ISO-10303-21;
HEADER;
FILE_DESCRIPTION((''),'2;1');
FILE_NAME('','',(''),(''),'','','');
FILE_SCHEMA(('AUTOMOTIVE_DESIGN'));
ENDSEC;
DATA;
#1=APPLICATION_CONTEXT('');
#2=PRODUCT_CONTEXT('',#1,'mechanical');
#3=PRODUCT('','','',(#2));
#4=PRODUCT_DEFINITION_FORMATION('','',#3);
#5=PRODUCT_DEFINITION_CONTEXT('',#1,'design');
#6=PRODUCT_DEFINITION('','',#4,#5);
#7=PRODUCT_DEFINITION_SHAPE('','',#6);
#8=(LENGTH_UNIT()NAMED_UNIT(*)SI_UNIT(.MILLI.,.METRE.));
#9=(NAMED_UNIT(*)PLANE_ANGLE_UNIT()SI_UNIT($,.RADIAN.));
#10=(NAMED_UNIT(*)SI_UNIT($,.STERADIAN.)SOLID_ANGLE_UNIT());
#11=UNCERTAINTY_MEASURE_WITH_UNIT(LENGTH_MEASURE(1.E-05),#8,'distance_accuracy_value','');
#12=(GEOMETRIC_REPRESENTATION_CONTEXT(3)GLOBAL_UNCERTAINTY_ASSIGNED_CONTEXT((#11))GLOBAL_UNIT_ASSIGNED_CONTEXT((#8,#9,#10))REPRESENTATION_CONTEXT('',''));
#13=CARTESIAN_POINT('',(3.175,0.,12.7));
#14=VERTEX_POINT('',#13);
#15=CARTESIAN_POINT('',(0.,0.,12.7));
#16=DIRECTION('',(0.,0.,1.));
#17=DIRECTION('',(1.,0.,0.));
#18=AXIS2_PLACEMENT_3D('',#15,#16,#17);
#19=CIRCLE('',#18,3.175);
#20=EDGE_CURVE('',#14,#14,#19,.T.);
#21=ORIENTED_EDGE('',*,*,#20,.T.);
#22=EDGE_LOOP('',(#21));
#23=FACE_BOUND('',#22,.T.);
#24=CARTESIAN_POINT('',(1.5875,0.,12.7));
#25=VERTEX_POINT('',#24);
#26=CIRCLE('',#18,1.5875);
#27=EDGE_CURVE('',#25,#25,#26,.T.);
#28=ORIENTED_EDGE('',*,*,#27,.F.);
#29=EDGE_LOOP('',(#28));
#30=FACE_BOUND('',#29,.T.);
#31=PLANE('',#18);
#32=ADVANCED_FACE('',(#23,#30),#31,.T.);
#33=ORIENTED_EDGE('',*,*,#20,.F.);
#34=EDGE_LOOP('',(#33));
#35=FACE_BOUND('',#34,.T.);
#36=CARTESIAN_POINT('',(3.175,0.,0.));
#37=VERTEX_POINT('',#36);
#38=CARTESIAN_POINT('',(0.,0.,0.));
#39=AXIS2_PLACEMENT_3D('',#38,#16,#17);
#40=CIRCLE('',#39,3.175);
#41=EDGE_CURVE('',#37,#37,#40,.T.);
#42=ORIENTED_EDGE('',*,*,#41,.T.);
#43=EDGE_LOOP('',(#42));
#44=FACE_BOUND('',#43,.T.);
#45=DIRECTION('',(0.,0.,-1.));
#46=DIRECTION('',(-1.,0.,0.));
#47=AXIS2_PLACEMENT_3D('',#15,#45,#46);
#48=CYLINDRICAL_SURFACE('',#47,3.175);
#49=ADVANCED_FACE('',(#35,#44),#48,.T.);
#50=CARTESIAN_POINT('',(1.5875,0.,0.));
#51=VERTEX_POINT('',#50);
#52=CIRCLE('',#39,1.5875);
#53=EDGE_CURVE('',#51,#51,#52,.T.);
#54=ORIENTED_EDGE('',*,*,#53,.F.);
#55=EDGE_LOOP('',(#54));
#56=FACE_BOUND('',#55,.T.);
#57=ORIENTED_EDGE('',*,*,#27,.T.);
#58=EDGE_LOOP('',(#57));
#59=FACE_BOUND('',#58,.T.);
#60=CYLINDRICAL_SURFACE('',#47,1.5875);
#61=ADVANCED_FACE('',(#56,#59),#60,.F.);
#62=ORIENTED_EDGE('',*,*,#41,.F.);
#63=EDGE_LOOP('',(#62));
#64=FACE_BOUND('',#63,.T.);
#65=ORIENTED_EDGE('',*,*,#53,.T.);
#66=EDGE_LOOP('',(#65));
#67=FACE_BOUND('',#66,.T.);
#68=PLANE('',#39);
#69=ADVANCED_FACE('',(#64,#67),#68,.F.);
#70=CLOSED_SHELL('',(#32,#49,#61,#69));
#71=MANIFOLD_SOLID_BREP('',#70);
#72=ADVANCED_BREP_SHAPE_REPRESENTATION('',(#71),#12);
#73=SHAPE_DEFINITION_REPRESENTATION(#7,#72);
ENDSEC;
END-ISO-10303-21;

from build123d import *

# Parameters (mm, degrees)
SKETCH1_R           = 3.175
SKETCH1_R_2         = 1.5875
BOSS_EXTRUDE1_DEPTH = 12.7


with BuildPart() as part:
    # Sketch1 → Boss-Extrude1 (new body)
    with BuildSketch(Plane.XY):
        Circle(SKETCH1_R)
        Circle(SKETCH1_R_2, mode=Mode.SUBTRACT)
    extrude(amount=BOSS_EXTRUDE1_DEPTH)


solid = part.part
